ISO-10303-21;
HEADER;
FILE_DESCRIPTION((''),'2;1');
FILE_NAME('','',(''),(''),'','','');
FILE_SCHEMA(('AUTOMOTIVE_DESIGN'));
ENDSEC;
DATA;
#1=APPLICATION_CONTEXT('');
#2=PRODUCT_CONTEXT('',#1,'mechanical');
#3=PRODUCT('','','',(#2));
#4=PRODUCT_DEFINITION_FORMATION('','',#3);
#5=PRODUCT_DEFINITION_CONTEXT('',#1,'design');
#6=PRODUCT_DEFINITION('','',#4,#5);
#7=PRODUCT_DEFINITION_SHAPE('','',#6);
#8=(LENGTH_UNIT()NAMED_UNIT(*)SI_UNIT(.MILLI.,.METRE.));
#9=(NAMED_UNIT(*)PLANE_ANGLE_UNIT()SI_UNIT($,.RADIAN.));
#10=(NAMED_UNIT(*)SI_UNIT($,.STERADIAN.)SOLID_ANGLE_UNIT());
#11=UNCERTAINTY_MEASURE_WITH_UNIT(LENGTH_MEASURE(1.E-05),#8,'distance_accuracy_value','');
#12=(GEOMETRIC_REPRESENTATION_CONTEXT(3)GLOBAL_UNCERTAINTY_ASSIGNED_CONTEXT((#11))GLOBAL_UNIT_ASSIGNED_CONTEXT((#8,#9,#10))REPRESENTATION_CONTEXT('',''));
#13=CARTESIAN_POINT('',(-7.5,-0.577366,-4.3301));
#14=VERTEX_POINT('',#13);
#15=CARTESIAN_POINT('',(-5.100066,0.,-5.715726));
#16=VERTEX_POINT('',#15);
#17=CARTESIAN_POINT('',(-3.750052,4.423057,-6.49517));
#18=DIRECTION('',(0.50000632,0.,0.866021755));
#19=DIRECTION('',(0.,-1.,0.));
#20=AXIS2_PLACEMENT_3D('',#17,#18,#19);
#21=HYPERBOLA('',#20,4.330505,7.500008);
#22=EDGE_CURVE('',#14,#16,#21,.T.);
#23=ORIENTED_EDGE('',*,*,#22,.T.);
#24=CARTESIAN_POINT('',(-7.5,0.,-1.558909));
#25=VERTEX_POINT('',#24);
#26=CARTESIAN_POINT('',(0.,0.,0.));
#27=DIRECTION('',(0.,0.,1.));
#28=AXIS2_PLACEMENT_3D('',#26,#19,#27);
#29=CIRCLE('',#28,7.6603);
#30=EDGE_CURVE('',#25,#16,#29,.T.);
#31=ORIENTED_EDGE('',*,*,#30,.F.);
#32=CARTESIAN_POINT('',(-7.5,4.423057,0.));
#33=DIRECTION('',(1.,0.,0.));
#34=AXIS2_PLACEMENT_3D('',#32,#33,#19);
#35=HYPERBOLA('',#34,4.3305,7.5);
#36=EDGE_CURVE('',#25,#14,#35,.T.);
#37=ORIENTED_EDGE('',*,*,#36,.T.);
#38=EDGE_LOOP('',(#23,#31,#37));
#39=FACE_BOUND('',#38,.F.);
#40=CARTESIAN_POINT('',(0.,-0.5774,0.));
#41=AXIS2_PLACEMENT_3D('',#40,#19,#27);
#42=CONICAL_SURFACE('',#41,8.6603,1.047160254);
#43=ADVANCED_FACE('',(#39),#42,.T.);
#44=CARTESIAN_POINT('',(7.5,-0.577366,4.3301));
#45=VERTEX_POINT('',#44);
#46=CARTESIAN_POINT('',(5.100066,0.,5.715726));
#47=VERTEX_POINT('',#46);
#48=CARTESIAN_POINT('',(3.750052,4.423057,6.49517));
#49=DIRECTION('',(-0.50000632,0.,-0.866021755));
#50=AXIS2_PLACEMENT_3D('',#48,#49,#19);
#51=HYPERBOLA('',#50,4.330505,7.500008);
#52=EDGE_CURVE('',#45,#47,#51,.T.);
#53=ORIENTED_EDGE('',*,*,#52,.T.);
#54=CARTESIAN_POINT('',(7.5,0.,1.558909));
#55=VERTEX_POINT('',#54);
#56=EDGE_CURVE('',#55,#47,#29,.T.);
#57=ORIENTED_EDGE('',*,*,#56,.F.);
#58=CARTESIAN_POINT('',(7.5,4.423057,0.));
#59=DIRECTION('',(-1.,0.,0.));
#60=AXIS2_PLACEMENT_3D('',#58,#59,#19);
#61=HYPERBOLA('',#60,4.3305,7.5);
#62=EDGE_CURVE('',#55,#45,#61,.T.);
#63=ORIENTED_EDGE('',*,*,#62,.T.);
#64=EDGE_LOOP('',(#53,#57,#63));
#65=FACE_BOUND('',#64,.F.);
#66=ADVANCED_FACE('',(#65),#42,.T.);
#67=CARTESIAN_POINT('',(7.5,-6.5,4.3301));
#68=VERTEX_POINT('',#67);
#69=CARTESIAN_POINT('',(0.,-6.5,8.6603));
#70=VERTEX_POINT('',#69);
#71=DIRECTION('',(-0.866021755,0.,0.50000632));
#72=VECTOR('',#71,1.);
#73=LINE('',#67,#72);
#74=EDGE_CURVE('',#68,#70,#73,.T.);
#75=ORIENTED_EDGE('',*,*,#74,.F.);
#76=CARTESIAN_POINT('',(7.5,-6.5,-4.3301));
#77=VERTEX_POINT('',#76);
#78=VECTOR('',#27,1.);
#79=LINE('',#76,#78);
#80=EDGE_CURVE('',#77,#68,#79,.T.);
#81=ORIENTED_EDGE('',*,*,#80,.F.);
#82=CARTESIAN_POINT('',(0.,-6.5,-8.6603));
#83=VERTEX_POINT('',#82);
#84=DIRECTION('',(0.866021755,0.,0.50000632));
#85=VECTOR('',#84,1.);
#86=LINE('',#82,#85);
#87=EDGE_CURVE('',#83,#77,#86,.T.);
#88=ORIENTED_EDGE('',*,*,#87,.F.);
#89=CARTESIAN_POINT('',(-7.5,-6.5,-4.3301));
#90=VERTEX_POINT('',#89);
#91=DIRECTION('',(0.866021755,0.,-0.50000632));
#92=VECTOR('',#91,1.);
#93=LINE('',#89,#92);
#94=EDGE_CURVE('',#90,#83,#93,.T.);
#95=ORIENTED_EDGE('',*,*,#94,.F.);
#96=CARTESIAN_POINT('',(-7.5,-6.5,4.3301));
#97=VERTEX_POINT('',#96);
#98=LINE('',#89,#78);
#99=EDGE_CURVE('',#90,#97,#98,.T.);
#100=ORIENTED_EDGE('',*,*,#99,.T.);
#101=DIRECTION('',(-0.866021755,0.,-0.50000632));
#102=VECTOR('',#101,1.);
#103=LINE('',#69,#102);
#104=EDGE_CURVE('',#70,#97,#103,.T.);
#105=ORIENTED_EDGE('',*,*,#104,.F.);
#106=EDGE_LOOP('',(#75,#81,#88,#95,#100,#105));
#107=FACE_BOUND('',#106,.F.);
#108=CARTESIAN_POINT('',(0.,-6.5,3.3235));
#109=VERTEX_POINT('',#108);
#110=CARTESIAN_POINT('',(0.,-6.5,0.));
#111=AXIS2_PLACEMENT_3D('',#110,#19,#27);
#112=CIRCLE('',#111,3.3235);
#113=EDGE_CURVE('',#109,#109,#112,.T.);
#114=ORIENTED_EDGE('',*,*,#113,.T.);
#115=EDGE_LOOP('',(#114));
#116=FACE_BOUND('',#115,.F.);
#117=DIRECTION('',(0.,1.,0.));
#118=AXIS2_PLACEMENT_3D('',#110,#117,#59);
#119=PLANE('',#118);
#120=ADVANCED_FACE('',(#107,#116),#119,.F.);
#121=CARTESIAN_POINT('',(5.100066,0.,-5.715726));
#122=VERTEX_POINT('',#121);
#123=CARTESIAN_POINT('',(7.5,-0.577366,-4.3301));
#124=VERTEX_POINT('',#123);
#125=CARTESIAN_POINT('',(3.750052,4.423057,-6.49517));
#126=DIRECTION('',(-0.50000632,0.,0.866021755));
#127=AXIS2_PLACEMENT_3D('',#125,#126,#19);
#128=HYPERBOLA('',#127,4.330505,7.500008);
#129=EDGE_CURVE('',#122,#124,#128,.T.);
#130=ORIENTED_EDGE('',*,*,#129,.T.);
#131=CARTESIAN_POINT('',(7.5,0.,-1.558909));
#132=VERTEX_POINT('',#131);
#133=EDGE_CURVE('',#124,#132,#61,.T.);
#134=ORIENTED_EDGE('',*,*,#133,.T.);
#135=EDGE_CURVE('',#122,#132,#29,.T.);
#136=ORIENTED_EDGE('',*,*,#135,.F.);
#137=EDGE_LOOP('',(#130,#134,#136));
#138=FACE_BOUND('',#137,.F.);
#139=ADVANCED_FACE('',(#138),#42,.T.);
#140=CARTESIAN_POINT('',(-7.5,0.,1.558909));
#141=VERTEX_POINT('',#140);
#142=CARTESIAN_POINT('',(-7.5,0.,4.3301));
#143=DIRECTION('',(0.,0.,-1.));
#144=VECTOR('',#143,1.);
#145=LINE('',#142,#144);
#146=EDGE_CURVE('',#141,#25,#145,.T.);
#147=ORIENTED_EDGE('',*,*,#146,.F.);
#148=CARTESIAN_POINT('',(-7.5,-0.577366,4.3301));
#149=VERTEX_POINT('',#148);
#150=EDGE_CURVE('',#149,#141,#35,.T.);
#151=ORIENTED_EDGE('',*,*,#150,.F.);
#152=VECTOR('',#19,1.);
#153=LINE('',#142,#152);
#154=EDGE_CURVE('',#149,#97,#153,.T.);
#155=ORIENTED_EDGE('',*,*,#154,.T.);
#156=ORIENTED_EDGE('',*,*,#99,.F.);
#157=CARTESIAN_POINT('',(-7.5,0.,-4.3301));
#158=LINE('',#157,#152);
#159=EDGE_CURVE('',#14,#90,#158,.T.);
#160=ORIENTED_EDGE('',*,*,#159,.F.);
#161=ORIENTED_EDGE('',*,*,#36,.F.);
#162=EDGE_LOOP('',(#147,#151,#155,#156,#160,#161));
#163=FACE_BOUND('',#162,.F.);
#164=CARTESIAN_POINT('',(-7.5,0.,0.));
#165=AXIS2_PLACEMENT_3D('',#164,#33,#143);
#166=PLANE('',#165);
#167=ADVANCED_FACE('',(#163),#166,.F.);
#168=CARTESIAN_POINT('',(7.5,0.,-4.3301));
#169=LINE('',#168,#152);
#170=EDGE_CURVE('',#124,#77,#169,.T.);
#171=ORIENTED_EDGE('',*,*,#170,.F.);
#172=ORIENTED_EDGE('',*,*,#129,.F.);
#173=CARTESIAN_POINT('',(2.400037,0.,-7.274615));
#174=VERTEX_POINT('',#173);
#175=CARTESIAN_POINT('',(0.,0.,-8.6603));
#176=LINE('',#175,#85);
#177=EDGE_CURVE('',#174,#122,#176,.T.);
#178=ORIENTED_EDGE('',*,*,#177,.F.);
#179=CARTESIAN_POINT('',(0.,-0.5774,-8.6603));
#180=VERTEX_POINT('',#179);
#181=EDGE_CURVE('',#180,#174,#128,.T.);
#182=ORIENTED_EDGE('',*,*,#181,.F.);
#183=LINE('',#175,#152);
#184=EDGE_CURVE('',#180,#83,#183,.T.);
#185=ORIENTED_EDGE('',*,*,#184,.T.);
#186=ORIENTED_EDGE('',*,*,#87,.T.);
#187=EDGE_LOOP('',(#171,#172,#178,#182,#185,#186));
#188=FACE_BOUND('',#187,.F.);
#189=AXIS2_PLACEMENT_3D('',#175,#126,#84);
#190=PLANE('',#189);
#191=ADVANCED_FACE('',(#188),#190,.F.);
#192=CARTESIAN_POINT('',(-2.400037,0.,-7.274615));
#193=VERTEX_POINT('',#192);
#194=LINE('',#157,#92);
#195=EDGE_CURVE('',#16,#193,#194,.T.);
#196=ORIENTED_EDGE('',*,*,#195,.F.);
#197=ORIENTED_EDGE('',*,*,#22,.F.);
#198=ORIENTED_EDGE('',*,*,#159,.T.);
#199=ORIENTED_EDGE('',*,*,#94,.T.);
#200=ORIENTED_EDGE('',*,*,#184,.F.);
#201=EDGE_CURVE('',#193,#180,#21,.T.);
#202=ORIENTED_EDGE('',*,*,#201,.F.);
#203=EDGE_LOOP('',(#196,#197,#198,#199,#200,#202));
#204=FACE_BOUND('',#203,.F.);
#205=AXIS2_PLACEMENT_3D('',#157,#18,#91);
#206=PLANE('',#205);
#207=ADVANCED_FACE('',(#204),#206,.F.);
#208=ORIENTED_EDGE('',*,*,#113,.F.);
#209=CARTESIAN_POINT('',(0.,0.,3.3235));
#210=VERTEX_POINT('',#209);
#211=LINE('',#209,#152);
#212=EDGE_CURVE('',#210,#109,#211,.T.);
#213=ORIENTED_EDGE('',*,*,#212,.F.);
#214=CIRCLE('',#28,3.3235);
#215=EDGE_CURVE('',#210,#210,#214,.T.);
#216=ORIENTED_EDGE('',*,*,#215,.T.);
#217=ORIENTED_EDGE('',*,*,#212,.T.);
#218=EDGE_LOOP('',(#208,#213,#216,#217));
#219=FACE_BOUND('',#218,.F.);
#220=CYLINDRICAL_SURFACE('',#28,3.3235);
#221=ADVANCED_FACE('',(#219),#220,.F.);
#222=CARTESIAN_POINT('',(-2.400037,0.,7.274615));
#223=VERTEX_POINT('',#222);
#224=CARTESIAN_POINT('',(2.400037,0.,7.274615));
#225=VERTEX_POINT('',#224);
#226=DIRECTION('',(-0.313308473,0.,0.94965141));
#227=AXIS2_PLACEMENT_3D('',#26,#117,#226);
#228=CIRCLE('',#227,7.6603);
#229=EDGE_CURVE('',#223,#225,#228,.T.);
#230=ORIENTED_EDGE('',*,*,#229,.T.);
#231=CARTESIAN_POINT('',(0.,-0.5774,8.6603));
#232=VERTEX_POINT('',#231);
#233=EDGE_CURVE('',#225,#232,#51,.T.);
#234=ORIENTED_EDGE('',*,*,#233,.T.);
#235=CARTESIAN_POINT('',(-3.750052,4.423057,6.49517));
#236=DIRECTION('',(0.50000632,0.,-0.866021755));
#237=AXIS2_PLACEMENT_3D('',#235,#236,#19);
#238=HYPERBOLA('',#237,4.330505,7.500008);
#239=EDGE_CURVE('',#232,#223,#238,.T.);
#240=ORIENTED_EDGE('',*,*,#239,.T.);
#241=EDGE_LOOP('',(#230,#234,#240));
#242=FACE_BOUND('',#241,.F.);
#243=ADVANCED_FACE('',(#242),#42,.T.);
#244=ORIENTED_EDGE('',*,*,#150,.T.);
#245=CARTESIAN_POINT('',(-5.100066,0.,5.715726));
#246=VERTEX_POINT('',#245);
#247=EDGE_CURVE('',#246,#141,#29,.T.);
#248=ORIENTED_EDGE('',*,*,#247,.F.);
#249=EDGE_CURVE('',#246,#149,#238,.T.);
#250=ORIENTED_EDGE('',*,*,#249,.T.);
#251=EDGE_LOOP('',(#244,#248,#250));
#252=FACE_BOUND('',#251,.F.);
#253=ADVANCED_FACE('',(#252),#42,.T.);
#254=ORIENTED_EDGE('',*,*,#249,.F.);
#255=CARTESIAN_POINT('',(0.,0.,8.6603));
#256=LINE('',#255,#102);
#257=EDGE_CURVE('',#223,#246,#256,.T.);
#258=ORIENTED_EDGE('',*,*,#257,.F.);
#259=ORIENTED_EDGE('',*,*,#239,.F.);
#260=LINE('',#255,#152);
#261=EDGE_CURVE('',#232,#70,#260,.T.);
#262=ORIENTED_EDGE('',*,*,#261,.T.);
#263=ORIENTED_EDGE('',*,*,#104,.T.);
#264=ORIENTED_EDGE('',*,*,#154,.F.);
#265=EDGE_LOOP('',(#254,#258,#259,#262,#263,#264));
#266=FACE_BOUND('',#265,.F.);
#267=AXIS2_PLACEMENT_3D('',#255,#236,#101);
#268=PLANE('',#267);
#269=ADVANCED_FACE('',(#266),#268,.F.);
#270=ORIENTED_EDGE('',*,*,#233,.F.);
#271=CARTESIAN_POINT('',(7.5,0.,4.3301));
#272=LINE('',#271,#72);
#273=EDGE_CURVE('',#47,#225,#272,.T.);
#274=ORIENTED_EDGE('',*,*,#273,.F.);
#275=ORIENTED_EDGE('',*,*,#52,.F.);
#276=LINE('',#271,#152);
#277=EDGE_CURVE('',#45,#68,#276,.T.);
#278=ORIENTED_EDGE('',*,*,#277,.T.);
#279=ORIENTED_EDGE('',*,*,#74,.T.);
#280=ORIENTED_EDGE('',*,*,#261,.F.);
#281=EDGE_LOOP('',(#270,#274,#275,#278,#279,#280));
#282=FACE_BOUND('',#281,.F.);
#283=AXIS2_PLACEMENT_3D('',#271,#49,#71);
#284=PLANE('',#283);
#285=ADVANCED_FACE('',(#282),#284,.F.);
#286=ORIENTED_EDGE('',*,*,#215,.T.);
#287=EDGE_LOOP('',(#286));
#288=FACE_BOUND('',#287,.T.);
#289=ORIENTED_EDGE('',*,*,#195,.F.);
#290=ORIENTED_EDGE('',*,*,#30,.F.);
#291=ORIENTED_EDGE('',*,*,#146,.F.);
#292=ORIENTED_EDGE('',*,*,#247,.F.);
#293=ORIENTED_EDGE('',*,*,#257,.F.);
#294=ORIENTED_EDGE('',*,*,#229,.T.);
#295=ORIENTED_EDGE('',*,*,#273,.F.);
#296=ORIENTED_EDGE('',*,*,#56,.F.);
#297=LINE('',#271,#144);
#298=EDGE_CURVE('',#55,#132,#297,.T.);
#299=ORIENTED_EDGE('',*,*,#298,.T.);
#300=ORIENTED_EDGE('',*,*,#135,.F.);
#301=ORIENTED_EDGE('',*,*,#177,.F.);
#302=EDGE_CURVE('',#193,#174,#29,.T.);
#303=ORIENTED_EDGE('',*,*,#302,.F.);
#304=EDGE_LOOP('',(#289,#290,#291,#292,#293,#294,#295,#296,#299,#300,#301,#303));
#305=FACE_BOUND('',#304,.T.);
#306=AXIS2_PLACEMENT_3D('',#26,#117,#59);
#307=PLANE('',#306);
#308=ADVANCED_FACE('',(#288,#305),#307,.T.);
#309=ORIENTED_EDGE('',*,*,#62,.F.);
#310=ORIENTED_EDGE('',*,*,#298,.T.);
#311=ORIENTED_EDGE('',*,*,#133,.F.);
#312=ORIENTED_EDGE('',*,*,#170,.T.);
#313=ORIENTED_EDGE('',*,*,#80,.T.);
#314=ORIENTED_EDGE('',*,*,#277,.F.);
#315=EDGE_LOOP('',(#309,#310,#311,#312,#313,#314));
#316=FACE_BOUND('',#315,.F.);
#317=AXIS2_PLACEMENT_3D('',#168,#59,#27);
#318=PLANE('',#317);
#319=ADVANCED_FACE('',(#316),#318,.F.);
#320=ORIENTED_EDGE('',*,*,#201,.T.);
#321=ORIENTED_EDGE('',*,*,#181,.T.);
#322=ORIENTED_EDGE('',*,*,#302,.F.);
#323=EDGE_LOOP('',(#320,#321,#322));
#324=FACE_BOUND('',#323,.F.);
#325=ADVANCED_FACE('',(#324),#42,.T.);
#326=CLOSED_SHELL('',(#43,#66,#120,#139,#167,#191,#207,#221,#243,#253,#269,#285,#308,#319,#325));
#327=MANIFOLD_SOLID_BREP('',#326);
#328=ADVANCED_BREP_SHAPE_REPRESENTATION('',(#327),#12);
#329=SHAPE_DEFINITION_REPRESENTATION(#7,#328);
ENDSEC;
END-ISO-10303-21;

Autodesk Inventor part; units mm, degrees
ref_plane "YZ Plane" through (0, 0, 0) normal (1, 0, 0) x (0, 1, 0)
ref_plane "XZ Plane" through (0, 0, 0) normal (0, 1, 0) x (-1, 0, 0)
ref_plane "XY Plane" through (0, 0, 0) normal (0, 0, 1) x (1, 0, 0)
sketch "Sketch1" plane through (0, 0, 0) normal (0, 1, 0) x (-1, 0, 0)
  line L0 (7.5, -4.3301) -> (0, -8.6603)
  line L1 (0, -8.6603) -> (-7.5, -4.3301)
  line L2 (-7.5, -4.3301) -> (-7.5, 4.3301)
  line L3 (-7.5, 4.3301) -> (0, 8.6603)
  line L4 (0, 8.6603) -> (7.5, 4.3301)
  line L5 (7.5, 4.3301) -> (7.5, -4.3301)
  line L6 (-7.5, 0) -> (7.5, 0)
  line L7 (0, 8.6603) -> (0, -8.6603)
  point P0 (0, 0)
  point P1 (0, 0)
  dimension "d0" = 15
extrude "Extrusion1" add sketch "Sketch1" against normal blind 6.5
sketch "Sketch2" plane through (0, 0, 0) normal (1, 0, 0) x (0, 1, 0)
  point P0 (0, 0)
sketch "Sketch6" plane through (0, 0, 0) normal (1, 0, 0) x (0, 1, 0)
  line L0 (0, 8.6603) -> (0, 4.3301) projected
  line L1 (0, 4.3301) -> (-6.5, 4.3301) projected
  line L2 (-6.5, 8.6603) -> (-6.5, 4.3301) projected
  line L3 (0, 8.6603) -> (-6.5, 8.6603) projected
  line L4 (0, 8.6603) -> (0, 7.6603)
  line L5 (-0.5774, 8.6603) -> (0, 8.6603)
  line L6 (-0.5774, 8.6603) -> (0, 7.6603)
  line L7 (-0.3756, 0) -> (-10.093, 0)
  point P0 (0, 0)
  dimension "d6" = 1
  dimension "d7" = 30
revolve "Revolution1" cut sketch "Sketch6" angle 360 about axis through (0, -0.3756, 0) along (0, -1, 0) contours L0 L6 L3
sketch "Sketch7" plane through (0, 0, 0) normal (0, 1, 0) x (1, 0, 0)
  arc A0 (-5.0999, 5.7158) -> (-7.5, 1.5587) centre (0, 0) ccw projected
hole "Hole1" at (0, 0, 0) direction (0, -1, 0) diameter 6.647 end through all thread size "M8x1.25" class "6H" standard "ANSI Metric M Profile"
properties part number "M8_driving_nut"
